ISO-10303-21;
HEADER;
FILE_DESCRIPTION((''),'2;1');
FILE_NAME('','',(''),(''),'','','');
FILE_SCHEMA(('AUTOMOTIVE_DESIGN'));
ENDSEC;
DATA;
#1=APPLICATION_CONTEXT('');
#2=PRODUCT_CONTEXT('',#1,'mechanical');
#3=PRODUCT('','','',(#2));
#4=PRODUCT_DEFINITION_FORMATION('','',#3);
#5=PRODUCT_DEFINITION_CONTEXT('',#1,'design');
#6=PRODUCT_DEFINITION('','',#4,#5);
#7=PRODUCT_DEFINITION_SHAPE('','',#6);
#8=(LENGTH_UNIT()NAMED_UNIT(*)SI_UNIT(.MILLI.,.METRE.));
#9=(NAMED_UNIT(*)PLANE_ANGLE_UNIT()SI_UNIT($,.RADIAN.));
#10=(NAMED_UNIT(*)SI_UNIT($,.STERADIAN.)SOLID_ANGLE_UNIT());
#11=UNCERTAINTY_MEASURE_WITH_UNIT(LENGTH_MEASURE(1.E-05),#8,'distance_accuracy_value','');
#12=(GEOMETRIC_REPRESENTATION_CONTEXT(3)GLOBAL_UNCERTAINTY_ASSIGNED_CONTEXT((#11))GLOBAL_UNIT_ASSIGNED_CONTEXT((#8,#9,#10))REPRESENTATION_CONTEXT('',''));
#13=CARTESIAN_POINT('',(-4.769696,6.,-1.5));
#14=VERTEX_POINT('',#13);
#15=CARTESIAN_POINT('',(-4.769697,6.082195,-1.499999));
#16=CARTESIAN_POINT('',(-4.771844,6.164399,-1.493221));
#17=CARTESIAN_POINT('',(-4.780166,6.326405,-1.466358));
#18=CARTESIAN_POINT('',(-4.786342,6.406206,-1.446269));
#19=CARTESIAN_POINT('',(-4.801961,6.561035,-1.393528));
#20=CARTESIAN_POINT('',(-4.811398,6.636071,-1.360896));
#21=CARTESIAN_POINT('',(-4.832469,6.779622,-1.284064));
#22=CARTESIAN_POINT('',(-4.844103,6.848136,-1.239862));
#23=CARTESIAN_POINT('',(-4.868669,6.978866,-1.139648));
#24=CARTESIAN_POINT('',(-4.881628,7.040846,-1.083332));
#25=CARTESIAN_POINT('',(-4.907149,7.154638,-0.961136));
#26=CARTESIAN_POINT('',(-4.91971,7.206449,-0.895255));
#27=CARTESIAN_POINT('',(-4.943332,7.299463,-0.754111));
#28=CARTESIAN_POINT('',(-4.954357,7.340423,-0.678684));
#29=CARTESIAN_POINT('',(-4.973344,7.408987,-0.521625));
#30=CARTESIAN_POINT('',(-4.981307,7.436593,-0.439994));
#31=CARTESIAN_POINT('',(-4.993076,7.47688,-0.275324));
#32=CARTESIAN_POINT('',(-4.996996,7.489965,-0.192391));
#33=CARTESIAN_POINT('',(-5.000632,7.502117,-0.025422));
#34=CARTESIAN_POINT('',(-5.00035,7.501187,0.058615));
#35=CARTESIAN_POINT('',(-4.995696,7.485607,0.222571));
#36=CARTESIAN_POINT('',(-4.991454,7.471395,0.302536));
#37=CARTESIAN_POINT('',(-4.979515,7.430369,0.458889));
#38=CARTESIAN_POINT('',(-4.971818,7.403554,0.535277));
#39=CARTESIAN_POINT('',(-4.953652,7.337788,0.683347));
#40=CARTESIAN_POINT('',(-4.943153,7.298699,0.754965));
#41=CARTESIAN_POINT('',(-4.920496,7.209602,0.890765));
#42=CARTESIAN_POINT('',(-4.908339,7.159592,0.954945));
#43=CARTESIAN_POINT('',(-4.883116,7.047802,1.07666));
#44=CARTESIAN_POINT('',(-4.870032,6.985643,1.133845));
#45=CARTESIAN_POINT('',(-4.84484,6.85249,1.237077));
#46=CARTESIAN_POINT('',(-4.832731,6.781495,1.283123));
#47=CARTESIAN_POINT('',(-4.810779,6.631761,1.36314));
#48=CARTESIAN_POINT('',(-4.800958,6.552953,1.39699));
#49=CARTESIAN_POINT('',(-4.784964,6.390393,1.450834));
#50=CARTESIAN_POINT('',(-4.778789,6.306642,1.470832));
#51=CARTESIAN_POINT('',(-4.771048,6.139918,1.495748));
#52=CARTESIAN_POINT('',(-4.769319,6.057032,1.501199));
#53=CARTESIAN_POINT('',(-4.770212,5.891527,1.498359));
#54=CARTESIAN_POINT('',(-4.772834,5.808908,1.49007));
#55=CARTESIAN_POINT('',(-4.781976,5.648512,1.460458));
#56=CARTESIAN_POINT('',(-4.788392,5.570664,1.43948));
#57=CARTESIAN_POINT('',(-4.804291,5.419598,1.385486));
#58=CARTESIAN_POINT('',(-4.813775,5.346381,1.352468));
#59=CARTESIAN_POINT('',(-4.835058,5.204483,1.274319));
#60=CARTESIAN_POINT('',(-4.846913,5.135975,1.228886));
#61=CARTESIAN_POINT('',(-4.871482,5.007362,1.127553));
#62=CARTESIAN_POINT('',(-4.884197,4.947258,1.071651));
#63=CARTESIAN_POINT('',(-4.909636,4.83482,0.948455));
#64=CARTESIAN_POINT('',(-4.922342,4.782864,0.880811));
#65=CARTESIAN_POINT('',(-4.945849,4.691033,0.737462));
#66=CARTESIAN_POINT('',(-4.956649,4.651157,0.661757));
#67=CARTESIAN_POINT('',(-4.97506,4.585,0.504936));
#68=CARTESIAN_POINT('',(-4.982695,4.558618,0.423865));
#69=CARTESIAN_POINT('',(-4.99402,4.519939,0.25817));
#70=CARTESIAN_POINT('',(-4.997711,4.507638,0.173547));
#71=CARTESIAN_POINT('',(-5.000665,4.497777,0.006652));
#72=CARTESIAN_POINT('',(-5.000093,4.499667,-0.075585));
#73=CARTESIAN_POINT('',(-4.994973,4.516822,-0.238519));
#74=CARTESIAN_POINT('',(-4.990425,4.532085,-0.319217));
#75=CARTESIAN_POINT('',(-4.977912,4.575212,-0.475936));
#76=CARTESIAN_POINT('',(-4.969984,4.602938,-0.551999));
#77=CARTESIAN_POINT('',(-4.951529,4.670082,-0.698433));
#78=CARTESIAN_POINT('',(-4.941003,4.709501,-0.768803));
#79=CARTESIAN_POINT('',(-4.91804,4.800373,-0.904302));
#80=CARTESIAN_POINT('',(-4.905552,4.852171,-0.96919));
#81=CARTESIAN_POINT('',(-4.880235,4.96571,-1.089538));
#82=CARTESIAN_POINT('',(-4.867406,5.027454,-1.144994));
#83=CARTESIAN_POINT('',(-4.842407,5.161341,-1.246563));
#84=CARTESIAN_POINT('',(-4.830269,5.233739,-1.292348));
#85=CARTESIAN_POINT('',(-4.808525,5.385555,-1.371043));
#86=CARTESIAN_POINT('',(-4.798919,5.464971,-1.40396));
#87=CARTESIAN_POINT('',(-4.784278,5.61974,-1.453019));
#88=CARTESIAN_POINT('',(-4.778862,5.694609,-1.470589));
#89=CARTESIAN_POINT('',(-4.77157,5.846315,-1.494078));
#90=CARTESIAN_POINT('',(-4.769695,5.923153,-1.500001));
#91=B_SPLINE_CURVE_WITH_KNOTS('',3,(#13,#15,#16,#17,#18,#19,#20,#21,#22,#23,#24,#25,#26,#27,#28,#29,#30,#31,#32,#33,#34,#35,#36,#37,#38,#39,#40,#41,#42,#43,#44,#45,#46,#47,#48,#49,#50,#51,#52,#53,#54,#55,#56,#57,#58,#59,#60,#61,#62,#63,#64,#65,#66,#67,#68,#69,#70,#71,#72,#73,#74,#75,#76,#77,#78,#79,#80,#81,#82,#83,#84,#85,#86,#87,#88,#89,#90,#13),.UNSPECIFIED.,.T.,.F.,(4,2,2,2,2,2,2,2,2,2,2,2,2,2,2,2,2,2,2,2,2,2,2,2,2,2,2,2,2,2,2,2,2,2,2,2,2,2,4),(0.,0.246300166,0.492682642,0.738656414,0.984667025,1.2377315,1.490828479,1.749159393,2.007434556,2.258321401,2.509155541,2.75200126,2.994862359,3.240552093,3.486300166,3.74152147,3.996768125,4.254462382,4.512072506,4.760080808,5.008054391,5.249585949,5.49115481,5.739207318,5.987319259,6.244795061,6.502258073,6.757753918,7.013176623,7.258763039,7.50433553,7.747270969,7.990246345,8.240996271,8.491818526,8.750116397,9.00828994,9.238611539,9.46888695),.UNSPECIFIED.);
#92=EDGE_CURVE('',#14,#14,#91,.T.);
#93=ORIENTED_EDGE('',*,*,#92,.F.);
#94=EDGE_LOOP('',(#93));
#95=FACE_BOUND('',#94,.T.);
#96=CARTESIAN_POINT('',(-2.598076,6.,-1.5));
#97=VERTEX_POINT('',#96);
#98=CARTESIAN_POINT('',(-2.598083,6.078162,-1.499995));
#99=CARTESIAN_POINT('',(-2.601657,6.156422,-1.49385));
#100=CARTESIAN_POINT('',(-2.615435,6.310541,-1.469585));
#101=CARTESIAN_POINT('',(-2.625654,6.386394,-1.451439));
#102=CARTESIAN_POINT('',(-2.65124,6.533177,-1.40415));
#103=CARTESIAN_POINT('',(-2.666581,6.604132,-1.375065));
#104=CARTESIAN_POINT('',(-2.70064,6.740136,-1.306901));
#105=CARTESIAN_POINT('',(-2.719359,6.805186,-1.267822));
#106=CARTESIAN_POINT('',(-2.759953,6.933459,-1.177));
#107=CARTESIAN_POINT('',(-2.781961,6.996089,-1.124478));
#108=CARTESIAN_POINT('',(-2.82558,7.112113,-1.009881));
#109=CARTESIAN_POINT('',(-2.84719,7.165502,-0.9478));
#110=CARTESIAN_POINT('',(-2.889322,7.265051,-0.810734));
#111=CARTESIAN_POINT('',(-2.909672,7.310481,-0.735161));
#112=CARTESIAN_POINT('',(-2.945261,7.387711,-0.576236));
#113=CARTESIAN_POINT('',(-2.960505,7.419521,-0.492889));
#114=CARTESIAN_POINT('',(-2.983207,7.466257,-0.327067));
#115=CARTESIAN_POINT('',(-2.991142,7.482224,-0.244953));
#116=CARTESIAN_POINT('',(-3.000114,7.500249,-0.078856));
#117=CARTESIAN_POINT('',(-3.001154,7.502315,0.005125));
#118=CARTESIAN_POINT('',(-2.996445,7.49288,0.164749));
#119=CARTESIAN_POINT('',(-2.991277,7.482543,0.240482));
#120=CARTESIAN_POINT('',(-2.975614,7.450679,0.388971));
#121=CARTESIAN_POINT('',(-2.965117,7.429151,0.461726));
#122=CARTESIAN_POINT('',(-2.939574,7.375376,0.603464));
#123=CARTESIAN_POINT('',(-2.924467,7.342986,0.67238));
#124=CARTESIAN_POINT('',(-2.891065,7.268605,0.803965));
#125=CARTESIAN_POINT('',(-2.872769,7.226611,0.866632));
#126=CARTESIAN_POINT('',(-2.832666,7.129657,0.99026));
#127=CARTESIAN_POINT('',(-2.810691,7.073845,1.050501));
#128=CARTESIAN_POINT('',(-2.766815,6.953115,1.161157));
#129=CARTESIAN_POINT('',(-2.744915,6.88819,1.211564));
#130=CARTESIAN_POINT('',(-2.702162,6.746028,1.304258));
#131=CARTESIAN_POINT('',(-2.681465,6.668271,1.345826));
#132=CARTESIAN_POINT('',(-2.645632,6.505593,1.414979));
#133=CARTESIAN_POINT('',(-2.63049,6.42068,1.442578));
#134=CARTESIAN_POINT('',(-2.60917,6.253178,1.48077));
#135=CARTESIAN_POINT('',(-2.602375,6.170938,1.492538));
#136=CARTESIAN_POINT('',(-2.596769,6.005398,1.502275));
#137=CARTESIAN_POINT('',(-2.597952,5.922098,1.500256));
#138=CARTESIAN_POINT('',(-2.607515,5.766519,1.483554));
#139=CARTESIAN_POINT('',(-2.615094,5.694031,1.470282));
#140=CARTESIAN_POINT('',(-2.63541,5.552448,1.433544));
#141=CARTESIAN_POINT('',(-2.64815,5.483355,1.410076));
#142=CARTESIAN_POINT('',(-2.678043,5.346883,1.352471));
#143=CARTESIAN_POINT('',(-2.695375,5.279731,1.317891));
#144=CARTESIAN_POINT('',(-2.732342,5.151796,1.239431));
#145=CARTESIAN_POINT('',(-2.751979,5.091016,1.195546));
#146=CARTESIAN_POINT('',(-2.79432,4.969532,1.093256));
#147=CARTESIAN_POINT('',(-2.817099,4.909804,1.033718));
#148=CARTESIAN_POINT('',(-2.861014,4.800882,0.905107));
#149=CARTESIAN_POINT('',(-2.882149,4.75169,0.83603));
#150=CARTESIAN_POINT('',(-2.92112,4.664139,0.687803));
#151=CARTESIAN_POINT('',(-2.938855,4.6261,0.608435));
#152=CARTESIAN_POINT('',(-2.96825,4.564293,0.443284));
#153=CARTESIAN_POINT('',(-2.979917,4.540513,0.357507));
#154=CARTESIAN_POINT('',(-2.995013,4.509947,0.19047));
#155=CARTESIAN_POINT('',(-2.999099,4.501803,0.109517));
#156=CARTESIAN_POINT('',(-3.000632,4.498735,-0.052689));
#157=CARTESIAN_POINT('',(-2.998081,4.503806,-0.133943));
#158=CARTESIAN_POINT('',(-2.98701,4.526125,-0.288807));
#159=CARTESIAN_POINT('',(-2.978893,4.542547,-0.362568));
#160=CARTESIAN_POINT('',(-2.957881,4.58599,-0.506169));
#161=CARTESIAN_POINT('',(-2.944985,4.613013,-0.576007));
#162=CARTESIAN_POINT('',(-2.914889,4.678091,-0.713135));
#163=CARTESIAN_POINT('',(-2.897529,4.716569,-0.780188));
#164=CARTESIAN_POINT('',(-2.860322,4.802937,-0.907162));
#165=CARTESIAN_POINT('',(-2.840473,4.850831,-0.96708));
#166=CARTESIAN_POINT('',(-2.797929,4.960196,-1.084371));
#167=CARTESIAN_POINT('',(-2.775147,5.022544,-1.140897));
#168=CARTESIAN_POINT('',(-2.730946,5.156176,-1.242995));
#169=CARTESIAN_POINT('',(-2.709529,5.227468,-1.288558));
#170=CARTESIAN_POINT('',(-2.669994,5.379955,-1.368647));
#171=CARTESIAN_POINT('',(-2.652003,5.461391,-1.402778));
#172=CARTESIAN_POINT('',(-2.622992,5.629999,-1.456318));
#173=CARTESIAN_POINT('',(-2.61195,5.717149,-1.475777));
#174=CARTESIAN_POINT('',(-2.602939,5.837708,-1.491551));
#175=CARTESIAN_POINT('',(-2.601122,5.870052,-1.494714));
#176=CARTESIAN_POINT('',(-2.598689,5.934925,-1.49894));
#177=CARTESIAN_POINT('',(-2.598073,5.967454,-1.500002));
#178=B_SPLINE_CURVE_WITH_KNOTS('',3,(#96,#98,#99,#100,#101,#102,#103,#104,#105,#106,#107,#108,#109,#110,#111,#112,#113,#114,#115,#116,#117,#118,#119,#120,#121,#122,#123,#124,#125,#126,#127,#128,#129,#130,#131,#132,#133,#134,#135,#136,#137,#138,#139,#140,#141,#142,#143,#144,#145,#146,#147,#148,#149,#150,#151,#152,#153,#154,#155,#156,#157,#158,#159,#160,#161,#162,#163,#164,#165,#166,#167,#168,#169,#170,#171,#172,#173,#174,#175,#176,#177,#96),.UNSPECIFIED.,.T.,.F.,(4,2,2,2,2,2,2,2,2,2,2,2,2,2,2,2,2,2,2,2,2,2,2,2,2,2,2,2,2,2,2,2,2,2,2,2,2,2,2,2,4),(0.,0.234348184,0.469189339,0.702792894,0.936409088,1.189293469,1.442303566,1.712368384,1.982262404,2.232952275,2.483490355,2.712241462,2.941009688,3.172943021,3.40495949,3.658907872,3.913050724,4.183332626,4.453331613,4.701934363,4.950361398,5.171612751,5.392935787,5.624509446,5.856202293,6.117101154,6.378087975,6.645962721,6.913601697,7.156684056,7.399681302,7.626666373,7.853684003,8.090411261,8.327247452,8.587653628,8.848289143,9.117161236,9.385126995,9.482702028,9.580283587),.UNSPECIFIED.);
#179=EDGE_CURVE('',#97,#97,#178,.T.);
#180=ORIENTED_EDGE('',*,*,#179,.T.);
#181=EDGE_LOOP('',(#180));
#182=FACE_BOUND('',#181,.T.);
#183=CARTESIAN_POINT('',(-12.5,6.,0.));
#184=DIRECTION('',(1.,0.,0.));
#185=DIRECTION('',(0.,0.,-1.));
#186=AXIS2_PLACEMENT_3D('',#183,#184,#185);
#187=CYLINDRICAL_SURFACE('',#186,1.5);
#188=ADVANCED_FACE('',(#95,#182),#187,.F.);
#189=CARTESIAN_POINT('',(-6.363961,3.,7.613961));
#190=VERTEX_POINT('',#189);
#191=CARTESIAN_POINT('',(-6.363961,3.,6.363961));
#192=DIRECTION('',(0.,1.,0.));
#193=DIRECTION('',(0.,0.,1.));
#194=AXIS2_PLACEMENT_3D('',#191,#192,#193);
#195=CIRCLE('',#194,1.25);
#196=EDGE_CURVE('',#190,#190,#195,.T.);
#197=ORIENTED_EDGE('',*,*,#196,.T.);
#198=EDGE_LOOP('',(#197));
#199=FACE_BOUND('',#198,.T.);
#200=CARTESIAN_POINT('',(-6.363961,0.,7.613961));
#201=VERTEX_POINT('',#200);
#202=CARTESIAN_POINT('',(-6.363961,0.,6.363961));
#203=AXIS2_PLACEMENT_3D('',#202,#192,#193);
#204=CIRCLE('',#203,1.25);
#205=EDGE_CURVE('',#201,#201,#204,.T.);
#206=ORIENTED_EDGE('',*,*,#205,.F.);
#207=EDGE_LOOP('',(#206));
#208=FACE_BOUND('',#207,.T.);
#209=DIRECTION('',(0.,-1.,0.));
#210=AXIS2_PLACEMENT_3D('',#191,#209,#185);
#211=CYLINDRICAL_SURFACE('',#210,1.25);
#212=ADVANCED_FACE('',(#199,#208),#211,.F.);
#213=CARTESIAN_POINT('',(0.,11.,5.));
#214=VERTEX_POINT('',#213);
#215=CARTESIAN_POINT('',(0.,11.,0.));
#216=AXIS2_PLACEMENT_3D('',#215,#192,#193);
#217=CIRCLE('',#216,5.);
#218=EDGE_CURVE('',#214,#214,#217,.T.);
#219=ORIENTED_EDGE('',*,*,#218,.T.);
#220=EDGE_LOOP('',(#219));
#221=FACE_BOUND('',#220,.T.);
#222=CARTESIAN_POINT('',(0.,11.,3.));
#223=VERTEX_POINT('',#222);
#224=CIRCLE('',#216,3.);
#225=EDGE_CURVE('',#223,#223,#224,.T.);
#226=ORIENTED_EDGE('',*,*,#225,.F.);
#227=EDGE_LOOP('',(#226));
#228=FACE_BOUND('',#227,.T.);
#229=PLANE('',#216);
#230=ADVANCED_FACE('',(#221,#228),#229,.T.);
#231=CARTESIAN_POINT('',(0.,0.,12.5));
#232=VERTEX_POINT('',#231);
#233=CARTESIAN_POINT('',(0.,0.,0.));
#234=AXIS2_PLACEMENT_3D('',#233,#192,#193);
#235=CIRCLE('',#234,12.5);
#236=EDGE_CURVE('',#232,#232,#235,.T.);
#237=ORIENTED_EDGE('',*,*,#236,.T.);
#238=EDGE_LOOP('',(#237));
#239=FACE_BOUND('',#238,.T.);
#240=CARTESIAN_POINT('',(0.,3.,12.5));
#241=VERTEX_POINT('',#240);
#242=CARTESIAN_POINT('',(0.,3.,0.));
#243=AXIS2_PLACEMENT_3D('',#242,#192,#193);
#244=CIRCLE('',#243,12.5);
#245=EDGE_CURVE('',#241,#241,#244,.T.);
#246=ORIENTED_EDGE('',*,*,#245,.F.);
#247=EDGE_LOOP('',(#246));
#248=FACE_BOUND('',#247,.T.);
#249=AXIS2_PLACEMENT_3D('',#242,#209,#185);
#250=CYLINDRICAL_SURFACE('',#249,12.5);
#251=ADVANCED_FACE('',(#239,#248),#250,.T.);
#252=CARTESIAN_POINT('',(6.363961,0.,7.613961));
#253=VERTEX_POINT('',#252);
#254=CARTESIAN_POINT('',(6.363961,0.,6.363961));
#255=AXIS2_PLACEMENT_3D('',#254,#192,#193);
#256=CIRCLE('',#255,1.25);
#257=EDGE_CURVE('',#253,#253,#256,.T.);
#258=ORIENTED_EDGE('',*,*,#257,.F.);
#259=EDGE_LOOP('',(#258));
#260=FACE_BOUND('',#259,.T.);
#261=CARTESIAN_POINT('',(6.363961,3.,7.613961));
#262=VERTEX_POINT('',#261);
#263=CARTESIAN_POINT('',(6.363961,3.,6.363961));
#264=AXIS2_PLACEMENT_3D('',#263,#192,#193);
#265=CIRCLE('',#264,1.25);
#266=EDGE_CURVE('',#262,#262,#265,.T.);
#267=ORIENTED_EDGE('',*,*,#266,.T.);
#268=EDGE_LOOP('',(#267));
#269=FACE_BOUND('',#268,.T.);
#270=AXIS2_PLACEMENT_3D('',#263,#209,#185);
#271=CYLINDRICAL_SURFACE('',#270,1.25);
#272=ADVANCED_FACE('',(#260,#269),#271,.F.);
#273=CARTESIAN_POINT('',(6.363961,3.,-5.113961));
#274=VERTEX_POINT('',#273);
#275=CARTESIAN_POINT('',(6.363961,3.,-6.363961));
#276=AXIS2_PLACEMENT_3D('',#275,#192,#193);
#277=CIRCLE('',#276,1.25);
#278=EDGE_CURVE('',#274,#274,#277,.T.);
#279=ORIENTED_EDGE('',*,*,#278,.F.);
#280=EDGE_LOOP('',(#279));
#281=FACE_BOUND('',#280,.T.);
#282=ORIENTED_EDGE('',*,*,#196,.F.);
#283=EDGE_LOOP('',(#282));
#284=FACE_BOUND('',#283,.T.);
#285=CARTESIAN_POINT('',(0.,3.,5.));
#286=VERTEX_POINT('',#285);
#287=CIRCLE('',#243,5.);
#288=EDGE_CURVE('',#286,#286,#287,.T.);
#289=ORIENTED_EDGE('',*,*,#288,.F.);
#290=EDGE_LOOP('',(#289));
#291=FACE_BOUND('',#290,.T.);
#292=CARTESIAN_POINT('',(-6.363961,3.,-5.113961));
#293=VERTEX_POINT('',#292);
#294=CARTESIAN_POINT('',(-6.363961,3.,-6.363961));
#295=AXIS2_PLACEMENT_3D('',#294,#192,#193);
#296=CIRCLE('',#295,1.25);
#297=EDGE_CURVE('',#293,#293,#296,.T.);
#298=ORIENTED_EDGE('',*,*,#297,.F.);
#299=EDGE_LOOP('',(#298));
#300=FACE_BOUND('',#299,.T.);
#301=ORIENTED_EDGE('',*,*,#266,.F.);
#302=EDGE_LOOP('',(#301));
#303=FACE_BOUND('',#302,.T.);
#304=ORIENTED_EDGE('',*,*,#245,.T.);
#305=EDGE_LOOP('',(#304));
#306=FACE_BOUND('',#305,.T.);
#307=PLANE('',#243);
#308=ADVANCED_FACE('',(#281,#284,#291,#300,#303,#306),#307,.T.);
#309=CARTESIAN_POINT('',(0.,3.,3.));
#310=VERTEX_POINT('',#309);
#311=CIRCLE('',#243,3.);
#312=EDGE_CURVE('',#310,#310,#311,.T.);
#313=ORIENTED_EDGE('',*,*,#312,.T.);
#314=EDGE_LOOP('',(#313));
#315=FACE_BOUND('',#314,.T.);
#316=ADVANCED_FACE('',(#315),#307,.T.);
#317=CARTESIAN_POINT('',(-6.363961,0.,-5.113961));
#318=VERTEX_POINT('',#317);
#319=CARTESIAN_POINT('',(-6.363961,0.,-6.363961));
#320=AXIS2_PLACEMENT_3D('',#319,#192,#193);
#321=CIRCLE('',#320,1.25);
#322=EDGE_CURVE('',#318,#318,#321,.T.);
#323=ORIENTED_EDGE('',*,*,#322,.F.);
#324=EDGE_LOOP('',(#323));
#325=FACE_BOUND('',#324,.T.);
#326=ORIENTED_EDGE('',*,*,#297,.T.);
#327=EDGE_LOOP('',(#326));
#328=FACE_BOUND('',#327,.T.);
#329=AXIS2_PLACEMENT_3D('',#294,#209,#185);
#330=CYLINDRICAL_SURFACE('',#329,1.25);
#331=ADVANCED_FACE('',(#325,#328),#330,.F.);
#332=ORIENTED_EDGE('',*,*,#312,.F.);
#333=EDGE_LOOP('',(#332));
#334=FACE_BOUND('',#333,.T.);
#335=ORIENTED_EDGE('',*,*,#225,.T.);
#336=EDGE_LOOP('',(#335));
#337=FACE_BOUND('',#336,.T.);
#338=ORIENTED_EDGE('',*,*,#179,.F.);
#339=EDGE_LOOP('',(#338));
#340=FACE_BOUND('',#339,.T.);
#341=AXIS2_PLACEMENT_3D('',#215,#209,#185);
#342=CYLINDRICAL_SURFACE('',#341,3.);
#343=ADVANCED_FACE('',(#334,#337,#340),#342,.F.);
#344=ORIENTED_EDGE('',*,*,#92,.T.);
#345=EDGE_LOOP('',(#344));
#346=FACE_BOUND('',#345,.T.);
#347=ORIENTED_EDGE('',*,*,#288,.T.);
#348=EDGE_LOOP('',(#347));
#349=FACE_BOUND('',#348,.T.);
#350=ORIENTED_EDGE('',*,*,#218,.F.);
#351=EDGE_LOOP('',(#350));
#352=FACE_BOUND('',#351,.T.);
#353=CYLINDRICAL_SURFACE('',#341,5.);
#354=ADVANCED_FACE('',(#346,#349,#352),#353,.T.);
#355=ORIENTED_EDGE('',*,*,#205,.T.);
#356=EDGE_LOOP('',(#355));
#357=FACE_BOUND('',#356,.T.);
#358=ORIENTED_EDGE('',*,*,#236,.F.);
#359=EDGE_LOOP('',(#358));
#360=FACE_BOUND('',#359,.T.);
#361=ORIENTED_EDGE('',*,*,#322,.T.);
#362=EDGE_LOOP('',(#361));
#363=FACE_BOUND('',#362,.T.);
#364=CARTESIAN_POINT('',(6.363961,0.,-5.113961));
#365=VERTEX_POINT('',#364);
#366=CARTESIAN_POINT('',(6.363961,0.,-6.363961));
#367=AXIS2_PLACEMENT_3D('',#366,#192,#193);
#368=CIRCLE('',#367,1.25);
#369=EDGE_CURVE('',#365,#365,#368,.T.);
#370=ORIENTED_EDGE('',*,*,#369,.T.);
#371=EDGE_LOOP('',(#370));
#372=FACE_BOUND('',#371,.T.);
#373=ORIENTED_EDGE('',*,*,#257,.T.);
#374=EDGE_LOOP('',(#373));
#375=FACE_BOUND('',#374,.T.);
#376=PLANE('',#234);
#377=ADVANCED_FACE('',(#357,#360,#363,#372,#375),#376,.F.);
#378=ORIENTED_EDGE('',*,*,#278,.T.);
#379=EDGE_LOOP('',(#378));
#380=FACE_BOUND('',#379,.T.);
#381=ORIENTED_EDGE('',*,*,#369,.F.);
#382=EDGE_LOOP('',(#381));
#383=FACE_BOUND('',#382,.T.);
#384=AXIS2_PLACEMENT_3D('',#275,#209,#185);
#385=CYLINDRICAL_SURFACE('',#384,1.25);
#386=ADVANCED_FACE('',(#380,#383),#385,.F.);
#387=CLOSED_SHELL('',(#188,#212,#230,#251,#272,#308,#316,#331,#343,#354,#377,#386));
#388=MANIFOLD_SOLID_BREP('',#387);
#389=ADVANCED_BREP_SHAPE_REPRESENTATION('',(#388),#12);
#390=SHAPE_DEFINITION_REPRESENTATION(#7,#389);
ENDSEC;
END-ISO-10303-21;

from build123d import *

# Parameters (mm, degrees)
CROQUIS1_R              = 12.5
CROQUIS1_R_2            = 1.25
SALIENTE_EXTRUIR1_DEPTH = 3
SALIENTE_EXTRUIR2_START = 3
CROQUIS1_3_R            = 5
CROQUIS1_3_R_2          = 3
SALIENTE_EXTRUIR2_DEPTH = 8
CROQUIS2_R              = 1.5
CORTAR_EXTRUIR1_DEPTH   = 21.820662814


with BuildPart() as part:
    # Croquis1 → Saliente-Extruir1 (new body)
    with BuildSketch(Plane(origin=(0, 0, 0), x_dir=(1, 0, 0), z_dir=(0, 1, 0))):
        with Locations(Location((0, 0, 0), (0, 0, 270))):
            Circle(CROQUIS1_R)
        with Locations(Location((-6.363961031, 6.363961031, 0), (0, 0, 270))):
            Circle(CROQUIS1_R_2, mode=Mode.SUBTRACT)
        with Locations(Location((6.363961031, 6.363961031, 0), (0, 0, 270))):
            Circle(CROQUIS1_R_2, mode=Mode.SUBTRACT)
        with Locations(Location((6.363961031, -6.363961031, 0), (0, 0, 270))):
            Circle(CROQUIS1_R_2, mode=Mode.SUBTRACT)
        with Locations(Location((-6.363961031, -6.363961031, 0), (0, 0, 270))):
            Circle(CROQUIS1_R_2, mode=Mode.SUBTRACT)
    extrude(amount=SALIENTE_EXTRUIR1_DEPTH)

    # Croquis1<3> → Saliente-Extruir2 (add)
    with BuildSketch(Plane(origin=(0, 0, 0), x_dir=(1, 0, 0), z_dir=(0, 1, 0)).offset(SALIENTE_EXTRUIR2_START)):
        with Locations(Location((0, 0, 0), (0, 0, 270))):
            Circle(CROQUIS1_3_R)
        with Locations(Location((0, 0, 0), (0, 0, 270))):
            Circle(CROQUIS1_3_R_2, mode=Mode.SUBTRACT)
    extrude(amount=SALIENTE_EXTRUIR2_DEPTH)

    # Croquis2 → Cortar-Extruir1 (cut, through all)
    with BuildSketch(Plane(origin=(0, 0, 0), x_dir=(0, 0, -1), z_dir=(1, 0, 0))):
        with Locations((0, 6)):
            Circle(CROQUIS2_R)
    extrude(amount=-CORTAR_EXTRUIR1_DEPTH, mode=Mode.SUBTRACT)


solid = part.part
